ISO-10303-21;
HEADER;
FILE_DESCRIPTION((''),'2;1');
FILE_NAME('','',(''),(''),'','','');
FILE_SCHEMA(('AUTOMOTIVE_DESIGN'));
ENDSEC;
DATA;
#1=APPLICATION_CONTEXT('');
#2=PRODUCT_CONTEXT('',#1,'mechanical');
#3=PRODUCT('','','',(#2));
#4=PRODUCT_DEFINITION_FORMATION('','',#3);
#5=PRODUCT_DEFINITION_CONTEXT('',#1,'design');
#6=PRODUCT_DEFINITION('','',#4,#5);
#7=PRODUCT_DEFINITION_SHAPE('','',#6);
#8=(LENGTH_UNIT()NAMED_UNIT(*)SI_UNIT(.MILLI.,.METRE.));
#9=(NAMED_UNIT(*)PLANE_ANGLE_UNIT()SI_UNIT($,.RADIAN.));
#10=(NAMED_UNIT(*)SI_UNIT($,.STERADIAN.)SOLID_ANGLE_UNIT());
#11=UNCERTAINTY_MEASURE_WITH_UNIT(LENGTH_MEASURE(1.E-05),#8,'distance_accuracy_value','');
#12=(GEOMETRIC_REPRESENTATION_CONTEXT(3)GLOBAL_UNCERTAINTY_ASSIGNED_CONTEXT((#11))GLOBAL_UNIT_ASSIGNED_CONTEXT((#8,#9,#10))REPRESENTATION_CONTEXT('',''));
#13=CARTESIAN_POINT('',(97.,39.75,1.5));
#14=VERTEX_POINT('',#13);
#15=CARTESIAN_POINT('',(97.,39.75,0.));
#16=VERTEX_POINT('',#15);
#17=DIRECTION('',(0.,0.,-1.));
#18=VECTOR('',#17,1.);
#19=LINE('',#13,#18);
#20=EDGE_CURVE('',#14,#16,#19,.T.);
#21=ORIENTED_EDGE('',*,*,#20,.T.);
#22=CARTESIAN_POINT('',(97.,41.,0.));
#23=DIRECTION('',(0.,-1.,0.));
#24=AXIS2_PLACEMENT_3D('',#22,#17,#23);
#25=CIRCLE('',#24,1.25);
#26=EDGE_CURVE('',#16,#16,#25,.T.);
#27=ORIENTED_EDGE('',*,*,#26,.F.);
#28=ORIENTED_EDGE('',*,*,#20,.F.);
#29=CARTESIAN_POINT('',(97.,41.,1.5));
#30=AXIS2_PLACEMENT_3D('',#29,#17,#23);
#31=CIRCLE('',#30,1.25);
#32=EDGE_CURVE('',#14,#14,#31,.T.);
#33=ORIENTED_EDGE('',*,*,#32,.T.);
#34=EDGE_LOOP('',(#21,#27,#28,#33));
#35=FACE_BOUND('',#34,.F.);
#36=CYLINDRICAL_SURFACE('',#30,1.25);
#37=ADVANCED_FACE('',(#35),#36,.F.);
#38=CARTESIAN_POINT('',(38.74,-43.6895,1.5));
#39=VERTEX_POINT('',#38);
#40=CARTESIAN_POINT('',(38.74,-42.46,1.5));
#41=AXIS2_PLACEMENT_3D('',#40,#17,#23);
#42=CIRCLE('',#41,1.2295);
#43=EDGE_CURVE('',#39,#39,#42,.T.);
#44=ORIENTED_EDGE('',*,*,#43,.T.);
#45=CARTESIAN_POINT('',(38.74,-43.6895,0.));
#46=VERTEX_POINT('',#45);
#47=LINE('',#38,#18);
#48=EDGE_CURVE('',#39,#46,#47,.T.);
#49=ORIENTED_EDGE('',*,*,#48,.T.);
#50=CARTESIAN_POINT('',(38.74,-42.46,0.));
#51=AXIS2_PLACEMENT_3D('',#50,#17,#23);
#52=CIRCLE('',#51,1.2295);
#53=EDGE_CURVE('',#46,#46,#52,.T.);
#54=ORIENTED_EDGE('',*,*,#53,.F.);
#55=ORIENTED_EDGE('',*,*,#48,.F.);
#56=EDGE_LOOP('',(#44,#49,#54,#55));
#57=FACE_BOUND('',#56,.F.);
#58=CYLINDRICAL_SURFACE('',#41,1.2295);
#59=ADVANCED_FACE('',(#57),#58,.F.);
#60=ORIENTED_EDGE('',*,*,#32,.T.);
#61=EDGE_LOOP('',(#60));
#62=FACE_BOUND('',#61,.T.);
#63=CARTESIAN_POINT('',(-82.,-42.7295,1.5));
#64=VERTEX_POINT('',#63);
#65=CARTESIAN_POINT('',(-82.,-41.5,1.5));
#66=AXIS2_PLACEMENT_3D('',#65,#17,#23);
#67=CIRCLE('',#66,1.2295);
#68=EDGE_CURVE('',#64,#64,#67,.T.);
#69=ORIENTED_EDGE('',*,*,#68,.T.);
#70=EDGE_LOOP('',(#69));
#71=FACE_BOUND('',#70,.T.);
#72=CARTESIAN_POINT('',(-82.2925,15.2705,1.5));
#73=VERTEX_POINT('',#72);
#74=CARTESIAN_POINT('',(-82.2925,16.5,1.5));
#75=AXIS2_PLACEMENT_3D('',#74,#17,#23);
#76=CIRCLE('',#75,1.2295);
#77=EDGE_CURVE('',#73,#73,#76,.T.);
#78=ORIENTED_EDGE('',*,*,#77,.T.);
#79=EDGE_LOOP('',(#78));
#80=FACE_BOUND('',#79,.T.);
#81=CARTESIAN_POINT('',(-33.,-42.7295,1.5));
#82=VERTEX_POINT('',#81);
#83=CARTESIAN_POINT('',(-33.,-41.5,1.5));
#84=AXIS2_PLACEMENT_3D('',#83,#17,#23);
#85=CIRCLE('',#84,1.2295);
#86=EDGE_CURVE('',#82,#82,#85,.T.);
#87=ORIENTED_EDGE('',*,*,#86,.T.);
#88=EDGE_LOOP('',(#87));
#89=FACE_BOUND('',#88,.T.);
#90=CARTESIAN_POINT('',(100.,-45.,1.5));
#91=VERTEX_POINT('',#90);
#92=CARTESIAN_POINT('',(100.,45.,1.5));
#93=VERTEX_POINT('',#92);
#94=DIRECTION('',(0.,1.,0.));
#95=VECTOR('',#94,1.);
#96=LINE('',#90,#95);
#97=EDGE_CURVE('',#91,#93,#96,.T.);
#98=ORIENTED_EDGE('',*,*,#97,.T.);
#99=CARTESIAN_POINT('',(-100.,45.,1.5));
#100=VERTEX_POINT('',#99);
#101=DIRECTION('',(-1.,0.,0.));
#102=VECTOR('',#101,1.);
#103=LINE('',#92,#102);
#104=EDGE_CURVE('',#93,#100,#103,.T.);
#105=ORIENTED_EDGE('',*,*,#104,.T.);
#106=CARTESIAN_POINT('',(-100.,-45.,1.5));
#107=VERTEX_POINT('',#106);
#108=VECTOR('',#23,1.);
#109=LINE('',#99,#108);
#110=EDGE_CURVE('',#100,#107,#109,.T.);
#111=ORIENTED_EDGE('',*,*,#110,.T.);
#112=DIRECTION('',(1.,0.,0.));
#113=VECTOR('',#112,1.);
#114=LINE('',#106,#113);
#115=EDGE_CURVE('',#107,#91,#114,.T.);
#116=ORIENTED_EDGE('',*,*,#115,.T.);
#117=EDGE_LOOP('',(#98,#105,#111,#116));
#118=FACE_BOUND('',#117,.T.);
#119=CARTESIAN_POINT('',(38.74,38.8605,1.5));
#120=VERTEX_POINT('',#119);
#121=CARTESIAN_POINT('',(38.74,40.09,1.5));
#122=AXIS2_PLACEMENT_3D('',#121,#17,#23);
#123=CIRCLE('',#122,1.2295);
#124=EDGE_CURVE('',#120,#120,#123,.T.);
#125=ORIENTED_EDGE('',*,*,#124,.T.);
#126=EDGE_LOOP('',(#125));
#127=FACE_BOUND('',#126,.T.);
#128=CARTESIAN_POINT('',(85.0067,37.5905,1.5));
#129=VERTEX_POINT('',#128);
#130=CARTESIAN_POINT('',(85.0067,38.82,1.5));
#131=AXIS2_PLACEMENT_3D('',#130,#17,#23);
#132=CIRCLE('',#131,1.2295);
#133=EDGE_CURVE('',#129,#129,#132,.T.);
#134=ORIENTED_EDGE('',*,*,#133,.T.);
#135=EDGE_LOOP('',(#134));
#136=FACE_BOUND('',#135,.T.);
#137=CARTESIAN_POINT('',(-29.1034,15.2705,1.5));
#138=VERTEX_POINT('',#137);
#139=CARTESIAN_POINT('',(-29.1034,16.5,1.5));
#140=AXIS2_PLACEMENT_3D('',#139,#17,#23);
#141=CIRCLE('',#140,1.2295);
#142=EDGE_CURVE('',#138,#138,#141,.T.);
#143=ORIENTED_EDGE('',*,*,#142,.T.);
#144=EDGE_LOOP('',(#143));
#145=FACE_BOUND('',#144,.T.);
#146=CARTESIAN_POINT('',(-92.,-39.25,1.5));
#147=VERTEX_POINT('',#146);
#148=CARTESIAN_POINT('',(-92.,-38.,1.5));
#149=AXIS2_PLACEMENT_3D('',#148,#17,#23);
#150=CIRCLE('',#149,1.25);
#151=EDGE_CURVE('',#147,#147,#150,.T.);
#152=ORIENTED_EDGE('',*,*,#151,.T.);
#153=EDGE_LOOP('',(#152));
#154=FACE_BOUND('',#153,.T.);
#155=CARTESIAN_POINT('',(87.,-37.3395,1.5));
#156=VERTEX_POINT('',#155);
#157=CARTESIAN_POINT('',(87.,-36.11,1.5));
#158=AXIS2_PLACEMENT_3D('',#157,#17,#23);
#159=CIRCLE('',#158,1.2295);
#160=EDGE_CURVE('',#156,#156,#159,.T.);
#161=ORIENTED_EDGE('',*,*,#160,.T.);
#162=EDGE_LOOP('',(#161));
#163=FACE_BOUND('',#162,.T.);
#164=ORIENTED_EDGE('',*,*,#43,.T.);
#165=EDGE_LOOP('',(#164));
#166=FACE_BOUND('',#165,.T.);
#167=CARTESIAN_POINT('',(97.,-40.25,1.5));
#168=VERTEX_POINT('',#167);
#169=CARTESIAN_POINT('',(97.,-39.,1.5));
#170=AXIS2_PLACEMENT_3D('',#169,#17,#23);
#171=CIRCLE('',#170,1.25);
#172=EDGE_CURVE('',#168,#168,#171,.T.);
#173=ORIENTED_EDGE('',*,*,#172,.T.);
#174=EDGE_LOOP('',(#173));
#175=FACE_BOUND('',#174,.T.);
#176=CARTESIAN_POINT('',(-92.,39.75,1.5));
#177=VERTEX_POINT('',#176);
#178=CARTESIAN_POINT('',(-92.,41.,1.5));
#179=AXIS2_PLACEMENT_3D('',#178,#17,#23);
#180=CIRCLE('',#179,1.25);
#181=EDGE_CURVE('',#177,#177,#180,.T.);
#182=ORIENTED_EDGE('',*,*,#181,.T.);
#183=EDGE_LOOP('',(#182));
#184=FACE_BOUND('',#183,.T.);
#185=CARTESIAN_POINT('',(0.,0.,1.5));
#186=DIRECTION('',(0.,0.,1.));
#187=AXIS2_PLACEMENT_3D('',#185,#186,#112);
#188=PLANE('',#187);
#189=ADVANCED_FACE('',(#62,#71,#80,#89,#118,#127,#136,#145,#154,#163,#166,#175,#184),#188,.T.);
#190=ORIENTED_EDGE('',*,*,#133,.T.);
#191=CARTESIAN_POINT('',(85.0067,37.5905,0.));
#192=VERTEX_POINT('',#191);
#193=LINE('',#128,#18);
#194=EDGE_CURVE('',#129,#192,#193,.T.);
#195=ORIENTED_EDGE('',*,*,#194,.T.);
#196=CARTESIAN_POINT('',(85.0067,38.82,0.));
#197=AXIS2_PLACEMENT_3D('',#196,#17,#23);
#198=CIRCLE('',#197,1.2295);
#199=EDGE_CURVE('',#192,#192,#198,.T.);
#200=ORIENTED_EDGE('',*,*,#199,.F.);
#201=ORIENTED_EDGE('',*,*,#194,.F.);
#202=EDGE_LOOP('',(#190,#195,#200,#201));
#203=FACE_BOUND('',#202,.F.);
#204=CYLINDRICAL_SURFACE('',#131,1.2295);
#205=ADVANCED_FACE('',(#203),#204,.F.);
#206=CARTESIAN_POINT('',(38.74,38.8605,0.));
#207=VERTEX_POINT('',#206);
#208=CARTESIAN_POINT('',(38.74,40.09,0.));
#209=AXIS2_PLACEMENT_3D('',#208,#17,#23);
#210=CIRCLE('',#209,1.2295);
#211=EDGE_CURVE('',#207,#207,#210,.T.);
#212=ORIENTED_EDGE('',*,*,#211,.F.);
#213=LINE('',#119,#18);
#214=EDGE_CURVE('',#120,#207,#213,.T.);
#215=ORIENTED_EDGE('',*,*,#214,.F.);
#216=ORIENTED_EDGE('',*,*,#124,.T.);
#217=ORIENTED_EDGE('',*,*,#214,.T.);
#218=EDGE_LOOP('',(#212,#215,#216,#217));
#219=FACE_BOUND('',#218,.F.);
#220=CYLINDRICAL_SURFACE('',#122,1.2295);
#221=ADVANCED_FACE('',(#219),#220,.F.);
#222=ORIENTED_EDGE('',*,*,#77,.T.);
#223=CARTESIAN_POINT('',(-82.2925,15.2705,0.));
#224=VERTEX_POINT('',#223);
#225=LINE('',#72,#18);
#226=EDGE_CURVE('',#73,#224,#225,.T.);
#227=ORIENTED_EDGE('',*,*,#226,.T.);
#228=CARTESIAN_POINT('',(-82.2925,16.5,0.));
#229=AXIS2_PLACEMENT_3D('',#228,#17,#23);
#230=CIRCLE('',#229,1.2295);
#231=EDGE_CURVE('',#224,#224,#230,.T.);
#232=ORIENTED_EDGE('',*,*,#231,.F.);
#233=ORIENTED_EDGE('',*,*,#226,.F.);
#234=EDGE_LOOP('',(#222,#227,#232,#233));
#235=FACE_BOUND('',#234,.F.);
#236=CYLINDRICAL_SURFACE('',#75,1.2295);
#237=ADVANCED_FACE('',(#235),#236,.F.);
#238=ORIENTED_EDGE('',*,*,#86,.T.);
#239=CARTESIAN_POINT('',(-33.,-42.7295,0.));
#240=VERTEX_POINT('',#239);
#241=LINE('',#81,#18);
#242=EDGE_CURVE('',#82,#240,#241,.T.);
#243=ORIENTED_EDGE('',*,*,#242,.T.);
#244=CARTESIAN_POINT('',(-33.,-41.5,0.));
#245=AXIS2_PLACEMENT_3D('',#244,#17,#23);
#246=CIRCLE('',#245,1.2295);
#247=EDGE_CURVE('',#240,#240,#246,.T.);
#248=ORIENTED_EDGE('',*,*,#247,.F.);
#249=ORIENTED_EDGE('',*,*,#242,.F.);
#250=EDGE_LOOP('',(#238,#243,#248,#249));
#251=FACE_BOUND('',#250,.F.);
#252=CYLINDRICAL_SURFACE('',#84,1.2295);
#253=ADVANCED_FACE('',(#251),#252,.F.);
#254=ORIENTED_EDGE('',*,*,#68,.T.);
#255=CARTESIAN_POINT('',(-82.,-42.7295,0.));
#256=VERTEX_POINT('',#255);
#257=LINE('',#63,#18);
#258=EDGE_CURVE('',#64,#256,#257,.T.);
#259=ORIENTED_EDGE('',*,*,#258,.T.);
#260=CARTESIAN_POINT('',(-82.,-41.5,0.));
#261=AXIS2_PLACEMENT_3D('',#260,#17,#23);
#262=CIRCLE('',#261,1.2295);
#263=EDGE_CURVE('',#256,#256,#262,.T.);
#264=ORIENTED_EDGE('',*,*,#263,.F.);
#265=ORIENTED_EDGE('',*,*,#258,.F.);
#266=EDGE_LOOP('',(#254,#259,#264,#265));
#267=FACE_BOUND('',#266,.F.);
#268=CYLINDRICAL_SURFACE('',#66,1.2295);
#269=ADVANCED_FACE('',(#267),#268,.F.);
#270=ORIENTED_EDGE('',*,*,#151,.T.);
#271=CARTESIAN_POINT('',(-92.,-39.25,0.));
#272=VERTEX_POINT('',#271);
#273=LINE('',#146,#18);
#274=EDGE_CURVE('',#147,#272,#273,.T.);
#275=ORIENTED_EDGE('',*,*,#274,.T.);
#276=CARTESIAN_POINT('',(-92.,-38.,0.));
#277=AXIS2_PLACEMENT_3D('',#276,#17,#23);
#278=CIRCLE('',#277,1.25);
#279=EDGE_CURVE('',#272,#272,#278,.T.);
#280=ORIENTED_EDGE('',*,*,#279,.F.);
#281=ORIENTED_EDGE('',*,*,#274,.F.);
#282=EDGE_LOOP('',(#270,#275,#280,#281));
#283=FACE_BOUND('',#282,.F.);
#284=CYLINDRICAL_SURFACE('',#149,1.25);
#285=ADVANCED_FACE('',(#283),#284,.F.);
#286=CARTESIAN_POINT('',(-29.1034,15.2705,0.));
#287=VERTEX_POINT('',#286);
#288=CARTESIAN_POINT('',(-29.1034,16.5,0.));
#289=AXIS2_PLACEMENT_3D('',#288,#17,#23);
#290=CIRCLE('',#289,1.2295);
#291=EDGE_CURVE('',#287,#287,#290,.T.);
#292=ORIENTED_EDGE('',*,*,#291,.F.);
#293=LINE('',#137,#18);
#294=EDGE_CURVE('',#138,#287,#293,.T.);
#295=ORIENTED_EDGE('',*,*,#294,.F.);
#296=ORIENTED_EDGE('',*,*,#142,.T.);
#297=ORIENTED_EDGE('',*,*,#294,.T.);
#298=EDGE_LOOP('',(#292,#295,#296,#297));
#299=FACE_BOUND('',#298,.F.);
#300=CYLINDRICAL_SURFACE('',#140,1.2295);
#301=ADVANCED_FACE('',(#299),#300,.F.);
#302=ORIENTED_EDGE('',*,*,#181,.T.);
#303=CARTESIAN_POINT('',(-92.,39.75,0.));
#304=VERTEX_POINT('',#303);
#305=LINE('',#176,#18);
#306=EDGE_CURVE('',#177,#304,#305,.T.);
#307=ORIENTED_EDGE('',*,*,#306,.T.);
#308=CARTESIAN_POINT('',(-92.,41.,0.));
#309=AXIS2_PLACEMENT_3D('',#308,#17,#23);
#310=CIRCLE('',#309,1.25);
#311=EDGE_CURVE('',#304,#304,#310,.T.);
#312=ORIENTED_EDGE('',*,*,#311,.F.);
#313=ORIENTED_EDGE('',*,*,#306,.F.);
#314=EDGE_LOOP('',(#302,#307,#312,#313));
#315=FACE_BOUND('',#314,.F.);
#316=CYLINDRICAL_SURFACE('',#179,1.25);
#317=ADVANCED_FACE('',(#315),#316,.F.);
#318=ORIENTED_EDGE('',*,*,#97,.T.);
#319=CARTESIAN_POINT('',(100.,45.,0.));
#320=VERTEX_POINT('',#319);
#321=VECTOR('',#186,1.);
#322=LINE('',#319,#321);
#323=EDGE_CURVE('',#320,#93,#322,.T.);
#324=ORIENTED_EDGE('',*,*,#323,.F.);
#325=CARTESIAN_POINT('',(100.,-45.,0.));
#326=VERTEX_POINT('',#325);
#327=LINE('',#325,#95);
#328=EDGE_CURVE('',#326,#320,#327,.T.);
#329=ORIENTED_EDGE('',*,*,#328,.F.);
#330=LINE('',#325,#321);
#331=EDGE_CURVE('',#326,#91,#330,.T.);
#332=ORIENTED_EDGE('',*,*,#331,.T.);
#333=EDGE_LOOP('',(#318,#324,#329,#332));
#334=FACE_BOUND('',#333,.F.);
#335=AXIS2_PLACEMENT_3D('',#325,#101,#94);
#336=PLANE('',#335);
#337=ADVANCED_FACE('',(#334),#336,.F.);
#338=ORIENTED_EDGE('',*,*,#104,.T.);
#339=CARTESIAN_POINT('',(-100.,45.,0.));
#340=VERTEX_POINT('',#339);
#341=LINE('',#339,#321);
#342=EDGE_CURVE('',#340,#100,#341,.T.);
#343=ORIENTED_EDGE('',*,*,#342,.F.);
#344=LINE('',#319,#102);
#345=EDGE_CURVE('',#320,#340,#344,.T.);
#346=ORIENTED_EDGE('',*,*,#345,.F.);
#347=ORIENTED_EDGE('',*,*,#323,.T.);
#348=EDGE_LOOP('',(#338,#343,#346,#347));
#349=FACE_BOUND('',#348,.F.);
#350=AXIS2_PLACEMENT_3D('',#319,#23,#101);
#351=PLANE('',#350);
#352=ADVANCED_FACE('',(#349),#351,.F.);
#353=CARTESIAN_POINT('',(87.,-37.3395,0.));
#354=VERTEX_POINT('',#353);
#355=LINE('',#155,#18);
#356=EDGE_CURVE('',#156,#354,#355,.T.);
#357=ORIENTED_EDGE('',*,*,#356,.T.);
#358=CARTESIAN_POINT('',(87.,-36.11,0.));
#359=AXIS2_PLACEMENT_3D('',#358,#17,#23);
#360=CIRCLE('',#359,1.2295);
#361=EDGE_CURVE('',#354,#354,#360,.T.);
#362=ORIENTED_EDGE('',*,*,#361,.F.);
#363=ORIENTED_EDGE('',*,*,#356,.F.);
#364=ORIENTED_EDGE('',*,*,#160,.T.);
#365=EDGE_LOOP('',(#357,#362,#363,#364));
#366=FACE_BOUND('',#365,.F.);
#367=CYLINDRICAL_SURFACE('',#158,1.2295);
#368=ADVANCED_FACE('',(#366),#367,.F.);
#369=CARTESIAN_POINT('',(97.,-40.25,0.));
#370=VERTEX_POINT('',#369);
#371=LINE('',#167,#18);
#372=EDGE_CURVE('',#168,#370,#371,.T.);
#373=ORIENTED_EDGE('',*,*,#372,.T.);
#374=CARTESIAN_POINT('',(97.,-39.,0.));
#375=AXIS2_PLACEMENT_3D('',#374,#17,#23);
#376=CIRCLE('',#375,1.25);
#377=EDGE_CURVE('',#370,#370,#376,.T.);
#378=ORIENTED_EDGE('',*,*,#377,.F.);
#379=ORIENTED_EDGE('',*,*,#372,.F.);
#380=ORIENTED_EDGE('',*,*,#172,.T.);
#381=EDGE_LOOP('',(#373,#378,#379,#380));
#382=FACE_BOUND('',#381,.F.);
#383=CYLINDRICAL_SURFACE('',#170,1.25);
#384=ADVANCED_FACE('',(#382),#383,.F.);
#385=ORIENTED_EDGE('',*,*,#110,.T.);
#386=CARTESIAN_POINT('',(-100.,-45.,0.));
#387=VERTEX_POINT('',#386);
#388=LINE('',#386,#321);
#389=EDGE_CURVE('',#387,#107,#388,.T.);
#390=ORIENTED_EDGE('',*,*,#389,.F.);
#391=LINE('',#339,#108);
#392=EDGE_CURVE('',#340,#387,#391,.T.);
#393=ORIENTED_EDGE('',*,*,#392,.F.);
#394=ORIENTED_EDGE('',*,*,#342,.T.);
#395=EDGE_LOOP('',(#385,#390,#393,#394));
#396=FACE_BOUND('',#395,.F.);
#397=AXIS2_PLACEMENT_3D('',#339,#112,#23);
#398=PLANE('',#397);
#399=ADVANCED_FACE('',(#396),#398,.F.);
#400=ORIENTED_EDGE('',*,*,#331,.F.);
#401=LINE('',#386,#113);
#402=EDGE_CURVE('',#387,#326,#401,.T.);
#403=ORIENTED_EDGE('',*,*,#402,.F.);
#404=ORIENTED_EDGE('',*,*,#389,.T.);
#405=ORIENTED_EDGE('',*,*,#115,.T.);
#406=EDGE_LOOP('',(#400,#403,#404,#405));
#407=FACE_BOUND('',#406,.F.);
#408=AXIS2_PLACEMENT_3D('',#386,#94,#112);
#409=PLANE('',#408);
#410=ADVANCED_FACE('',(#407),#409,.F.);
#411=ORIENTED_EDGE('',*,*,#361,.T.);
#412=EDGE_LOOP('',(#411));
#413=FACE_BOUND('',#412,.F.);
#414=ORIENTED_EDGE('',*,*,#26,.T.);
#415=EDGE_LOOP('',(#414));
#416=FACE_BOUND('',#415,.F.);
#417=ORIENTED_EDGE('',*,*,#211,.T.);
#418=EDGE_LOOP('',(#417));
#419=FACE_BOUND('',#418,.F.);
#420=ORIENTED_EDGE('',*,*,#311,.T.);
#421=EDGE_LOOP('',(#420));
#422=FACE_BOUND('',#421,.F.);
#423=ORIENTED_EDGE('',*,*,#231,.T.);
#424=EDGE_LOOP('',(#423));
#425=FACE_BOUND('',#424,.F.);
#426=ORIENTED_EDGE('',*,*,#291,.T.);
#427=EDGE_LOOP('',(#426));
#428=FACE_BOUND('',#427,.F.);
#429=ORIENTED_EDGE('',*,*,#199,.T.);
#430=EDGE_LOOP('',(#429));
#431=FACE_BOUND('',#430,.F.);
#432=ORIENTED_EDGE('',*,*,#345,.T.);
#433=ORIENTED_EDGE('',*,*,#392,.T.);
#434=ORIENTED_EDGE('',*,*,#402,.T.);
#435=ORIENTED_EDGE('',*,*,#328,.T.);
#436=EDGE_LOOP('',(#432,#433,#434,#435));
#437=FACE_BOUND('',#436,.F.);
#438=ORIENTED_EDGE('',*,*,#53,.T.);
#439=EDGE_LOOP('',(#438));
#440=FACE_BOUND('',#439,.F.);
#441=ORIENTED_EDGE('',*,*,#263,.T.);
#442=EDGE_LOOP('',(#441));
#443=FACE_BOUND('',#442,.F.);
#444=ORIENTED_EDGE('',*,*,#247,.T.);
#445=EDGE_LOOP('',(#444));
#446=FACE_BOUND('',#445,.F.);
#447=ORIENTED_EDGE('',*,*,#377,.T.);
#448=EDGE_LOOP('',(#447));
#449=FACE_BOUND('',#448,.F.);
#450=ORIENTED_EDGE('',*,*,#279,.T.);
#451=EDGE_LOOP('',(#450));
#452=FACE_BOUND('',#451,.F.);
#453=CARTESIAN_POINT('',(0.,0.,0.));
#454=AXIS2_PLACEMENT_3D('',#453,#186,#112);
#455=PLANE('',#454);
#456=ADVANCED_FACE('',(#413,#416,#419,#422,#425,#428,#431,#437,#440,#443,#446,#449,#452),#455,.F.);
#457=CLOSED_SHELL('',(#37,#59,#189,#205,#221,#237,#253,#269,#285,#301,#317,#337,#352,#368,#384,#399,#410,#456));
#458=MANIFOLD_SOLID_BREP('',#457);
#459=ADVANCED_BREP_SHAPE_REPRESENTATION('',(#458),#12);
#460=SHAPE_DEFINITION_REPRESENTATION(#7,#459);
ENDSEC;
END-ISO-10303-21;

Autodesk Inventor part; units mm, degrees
ref_plane "YZ Plane" through (0, 0, 0) normal (1, 0, 0) x (0, 1, 0)
ref_plane "XZ Plane" through (0, 0, 0) normal (0, 1, 0) x (-1, 0, 0)
ref_plane "XY Plane" through (0, 0, 0) normal (0, 0, 1) x (1, 0, 0)
sketch "スケッチ1" plane through (0, 0, 0) normal (0, 0, 1) x (1, 0, 0)
  line L0 (-100, -45) -> (100, -45)
  line L1 (100, -45) -> (100, 45)
  line L2 (100, 45) -> (-100, 45)
  line L3 (-100, 45) -> (-100, -45)
  line L4 (-100, -45) -> (100, 45) construction
  line L5 (100, -45) -> (-100, 45) construction
  point P0 (0, 0)
  dimension "d0" = 90
  dimension "d1" = 200
extrude "押し出し1" add sketch "スケッチ1" along normal blind 1.5
sketch "スケッチ2" plane through (0, 0, 1.5) normal (0, 0, 1) x (1, 0, 0)
  line L0 (100, -45) -> (100, 45) projected
  line L1 (-100, -45) -> (100, -45) projected
  point P0 (0, 0)
  point P1 (97, 41)
  point P2 (97, -39)
  dimension "d4" = 3
  dimension "d5" = 3
  dimension "d6" = 6
  dimension "d7" = 86
hole "穴1" at (97, 41, 1.5) at (97, -39, 1.5) direction (0, 0, -1) diameter 2.5 depth 8.8 tip angle 118
sketch "スケッチ3" plane through (0, 0, 1.5) normal (0, 0, 1) x (1, 0, 0)
  line L0 (-100, 45) -> (-100, -45) projected
  line L1 (-100, -45) -> (100, -45) projected
  point P0 (0, 0)
  point P1 (-92, 41)
  point P2 (-92, -38)
  dimension "d15" = 8
  dimension "d16" = 8
  dimension "d17" = 7
  dimension "d18" = 86
hole "穴2" at (-92, 41, 1.5) at (-92, -38, 1.5) direction (0, 0, -1) diameter 2.5 depth 8.8 tip angle 118
sketch "スケッチ4" plane through (0, 0, 1.5) normal (0, 0, 1) x (1, 0, 0)
  circle A0 centre (97, -39) radius 1.25 projected
  line L0 (-100, -45) -> (100, -45) projected
  point P0 (0, 0)
  point P1 (85.0067, 38.82)
  point P2 (87, -36.11)
  dimension "d26" = 10
  dimension "d27" = 8.89
  dimension "d28" = 74.93
hole "穴3" at (85.0067, 38.82, 1.5) at (87, -36.11, 1.5) direction (0, 0, -1) diameter 2.459 depth 8.8 tip angle 118 thread size "M3x0.5" class "6H" standard "ANSI Metric M Profile"
sketch "スケッチ5" plane through (0, 0, 1.5) normal (0, 0, 1) x (1, 0, 0)
  circle A0 centre (87, -36.11) radius 1.2295 projected
  line L0 (-100, -45) -> (100, -45) projected
  point P0 (0, 0)
  point P1 (38.74, -42.46)
  point P2 (38.74, 40.09)
  dimension "d36" = 48.26
  dimension "d37" = 2.54
  dimension "d38" = 82.55
hole "穴4" at (38.74, -42.46, 1.5) at (38.74, 40.09, 1.5) direction (0, 0, -1) diameter 2.459 depth 8.8 tip angle 118 thread size "M3x0.5" class "6H" standard "ANSI Metric M Profile"
sketch "スケッチ6" plane through (0, 0, 1.5) normal (0, 0, 1) x (1, 0, 0)
  line L0 (-100, -45) -> (100, -45) projected
  circle A0 centre (-92, -38) radius 1.25 projected
  point P0 (0, 0)
  point P1 (-82.2925, 16.5)
  point P2 (-29.1034, 16.5)
  point P3 (-82, -41.5)
  point P4 (-33, -41.5)
  dimension "d46" = 3.5
  dimension "d47" = 10
  dimension "d48" = 49
  dimension "d49" = 3.5
  dimension "d50" = 58
  dimension "d51" = 58
hole "穴5" at (-82.2925, 16.5, 1.5) at (-29.1034, 16.5, 1.5) at (-82, -41.5, 1.5) at (-33, -41.5, 1.5) direction (0, 0, -1) diameter 2.459 depth 8.8 tip angle 118 thread size "M3x0.5" class "6H" standard "ANSI Metric M Profile"
properties part number "20220620_知能ロボットコンテスト二階部分"
